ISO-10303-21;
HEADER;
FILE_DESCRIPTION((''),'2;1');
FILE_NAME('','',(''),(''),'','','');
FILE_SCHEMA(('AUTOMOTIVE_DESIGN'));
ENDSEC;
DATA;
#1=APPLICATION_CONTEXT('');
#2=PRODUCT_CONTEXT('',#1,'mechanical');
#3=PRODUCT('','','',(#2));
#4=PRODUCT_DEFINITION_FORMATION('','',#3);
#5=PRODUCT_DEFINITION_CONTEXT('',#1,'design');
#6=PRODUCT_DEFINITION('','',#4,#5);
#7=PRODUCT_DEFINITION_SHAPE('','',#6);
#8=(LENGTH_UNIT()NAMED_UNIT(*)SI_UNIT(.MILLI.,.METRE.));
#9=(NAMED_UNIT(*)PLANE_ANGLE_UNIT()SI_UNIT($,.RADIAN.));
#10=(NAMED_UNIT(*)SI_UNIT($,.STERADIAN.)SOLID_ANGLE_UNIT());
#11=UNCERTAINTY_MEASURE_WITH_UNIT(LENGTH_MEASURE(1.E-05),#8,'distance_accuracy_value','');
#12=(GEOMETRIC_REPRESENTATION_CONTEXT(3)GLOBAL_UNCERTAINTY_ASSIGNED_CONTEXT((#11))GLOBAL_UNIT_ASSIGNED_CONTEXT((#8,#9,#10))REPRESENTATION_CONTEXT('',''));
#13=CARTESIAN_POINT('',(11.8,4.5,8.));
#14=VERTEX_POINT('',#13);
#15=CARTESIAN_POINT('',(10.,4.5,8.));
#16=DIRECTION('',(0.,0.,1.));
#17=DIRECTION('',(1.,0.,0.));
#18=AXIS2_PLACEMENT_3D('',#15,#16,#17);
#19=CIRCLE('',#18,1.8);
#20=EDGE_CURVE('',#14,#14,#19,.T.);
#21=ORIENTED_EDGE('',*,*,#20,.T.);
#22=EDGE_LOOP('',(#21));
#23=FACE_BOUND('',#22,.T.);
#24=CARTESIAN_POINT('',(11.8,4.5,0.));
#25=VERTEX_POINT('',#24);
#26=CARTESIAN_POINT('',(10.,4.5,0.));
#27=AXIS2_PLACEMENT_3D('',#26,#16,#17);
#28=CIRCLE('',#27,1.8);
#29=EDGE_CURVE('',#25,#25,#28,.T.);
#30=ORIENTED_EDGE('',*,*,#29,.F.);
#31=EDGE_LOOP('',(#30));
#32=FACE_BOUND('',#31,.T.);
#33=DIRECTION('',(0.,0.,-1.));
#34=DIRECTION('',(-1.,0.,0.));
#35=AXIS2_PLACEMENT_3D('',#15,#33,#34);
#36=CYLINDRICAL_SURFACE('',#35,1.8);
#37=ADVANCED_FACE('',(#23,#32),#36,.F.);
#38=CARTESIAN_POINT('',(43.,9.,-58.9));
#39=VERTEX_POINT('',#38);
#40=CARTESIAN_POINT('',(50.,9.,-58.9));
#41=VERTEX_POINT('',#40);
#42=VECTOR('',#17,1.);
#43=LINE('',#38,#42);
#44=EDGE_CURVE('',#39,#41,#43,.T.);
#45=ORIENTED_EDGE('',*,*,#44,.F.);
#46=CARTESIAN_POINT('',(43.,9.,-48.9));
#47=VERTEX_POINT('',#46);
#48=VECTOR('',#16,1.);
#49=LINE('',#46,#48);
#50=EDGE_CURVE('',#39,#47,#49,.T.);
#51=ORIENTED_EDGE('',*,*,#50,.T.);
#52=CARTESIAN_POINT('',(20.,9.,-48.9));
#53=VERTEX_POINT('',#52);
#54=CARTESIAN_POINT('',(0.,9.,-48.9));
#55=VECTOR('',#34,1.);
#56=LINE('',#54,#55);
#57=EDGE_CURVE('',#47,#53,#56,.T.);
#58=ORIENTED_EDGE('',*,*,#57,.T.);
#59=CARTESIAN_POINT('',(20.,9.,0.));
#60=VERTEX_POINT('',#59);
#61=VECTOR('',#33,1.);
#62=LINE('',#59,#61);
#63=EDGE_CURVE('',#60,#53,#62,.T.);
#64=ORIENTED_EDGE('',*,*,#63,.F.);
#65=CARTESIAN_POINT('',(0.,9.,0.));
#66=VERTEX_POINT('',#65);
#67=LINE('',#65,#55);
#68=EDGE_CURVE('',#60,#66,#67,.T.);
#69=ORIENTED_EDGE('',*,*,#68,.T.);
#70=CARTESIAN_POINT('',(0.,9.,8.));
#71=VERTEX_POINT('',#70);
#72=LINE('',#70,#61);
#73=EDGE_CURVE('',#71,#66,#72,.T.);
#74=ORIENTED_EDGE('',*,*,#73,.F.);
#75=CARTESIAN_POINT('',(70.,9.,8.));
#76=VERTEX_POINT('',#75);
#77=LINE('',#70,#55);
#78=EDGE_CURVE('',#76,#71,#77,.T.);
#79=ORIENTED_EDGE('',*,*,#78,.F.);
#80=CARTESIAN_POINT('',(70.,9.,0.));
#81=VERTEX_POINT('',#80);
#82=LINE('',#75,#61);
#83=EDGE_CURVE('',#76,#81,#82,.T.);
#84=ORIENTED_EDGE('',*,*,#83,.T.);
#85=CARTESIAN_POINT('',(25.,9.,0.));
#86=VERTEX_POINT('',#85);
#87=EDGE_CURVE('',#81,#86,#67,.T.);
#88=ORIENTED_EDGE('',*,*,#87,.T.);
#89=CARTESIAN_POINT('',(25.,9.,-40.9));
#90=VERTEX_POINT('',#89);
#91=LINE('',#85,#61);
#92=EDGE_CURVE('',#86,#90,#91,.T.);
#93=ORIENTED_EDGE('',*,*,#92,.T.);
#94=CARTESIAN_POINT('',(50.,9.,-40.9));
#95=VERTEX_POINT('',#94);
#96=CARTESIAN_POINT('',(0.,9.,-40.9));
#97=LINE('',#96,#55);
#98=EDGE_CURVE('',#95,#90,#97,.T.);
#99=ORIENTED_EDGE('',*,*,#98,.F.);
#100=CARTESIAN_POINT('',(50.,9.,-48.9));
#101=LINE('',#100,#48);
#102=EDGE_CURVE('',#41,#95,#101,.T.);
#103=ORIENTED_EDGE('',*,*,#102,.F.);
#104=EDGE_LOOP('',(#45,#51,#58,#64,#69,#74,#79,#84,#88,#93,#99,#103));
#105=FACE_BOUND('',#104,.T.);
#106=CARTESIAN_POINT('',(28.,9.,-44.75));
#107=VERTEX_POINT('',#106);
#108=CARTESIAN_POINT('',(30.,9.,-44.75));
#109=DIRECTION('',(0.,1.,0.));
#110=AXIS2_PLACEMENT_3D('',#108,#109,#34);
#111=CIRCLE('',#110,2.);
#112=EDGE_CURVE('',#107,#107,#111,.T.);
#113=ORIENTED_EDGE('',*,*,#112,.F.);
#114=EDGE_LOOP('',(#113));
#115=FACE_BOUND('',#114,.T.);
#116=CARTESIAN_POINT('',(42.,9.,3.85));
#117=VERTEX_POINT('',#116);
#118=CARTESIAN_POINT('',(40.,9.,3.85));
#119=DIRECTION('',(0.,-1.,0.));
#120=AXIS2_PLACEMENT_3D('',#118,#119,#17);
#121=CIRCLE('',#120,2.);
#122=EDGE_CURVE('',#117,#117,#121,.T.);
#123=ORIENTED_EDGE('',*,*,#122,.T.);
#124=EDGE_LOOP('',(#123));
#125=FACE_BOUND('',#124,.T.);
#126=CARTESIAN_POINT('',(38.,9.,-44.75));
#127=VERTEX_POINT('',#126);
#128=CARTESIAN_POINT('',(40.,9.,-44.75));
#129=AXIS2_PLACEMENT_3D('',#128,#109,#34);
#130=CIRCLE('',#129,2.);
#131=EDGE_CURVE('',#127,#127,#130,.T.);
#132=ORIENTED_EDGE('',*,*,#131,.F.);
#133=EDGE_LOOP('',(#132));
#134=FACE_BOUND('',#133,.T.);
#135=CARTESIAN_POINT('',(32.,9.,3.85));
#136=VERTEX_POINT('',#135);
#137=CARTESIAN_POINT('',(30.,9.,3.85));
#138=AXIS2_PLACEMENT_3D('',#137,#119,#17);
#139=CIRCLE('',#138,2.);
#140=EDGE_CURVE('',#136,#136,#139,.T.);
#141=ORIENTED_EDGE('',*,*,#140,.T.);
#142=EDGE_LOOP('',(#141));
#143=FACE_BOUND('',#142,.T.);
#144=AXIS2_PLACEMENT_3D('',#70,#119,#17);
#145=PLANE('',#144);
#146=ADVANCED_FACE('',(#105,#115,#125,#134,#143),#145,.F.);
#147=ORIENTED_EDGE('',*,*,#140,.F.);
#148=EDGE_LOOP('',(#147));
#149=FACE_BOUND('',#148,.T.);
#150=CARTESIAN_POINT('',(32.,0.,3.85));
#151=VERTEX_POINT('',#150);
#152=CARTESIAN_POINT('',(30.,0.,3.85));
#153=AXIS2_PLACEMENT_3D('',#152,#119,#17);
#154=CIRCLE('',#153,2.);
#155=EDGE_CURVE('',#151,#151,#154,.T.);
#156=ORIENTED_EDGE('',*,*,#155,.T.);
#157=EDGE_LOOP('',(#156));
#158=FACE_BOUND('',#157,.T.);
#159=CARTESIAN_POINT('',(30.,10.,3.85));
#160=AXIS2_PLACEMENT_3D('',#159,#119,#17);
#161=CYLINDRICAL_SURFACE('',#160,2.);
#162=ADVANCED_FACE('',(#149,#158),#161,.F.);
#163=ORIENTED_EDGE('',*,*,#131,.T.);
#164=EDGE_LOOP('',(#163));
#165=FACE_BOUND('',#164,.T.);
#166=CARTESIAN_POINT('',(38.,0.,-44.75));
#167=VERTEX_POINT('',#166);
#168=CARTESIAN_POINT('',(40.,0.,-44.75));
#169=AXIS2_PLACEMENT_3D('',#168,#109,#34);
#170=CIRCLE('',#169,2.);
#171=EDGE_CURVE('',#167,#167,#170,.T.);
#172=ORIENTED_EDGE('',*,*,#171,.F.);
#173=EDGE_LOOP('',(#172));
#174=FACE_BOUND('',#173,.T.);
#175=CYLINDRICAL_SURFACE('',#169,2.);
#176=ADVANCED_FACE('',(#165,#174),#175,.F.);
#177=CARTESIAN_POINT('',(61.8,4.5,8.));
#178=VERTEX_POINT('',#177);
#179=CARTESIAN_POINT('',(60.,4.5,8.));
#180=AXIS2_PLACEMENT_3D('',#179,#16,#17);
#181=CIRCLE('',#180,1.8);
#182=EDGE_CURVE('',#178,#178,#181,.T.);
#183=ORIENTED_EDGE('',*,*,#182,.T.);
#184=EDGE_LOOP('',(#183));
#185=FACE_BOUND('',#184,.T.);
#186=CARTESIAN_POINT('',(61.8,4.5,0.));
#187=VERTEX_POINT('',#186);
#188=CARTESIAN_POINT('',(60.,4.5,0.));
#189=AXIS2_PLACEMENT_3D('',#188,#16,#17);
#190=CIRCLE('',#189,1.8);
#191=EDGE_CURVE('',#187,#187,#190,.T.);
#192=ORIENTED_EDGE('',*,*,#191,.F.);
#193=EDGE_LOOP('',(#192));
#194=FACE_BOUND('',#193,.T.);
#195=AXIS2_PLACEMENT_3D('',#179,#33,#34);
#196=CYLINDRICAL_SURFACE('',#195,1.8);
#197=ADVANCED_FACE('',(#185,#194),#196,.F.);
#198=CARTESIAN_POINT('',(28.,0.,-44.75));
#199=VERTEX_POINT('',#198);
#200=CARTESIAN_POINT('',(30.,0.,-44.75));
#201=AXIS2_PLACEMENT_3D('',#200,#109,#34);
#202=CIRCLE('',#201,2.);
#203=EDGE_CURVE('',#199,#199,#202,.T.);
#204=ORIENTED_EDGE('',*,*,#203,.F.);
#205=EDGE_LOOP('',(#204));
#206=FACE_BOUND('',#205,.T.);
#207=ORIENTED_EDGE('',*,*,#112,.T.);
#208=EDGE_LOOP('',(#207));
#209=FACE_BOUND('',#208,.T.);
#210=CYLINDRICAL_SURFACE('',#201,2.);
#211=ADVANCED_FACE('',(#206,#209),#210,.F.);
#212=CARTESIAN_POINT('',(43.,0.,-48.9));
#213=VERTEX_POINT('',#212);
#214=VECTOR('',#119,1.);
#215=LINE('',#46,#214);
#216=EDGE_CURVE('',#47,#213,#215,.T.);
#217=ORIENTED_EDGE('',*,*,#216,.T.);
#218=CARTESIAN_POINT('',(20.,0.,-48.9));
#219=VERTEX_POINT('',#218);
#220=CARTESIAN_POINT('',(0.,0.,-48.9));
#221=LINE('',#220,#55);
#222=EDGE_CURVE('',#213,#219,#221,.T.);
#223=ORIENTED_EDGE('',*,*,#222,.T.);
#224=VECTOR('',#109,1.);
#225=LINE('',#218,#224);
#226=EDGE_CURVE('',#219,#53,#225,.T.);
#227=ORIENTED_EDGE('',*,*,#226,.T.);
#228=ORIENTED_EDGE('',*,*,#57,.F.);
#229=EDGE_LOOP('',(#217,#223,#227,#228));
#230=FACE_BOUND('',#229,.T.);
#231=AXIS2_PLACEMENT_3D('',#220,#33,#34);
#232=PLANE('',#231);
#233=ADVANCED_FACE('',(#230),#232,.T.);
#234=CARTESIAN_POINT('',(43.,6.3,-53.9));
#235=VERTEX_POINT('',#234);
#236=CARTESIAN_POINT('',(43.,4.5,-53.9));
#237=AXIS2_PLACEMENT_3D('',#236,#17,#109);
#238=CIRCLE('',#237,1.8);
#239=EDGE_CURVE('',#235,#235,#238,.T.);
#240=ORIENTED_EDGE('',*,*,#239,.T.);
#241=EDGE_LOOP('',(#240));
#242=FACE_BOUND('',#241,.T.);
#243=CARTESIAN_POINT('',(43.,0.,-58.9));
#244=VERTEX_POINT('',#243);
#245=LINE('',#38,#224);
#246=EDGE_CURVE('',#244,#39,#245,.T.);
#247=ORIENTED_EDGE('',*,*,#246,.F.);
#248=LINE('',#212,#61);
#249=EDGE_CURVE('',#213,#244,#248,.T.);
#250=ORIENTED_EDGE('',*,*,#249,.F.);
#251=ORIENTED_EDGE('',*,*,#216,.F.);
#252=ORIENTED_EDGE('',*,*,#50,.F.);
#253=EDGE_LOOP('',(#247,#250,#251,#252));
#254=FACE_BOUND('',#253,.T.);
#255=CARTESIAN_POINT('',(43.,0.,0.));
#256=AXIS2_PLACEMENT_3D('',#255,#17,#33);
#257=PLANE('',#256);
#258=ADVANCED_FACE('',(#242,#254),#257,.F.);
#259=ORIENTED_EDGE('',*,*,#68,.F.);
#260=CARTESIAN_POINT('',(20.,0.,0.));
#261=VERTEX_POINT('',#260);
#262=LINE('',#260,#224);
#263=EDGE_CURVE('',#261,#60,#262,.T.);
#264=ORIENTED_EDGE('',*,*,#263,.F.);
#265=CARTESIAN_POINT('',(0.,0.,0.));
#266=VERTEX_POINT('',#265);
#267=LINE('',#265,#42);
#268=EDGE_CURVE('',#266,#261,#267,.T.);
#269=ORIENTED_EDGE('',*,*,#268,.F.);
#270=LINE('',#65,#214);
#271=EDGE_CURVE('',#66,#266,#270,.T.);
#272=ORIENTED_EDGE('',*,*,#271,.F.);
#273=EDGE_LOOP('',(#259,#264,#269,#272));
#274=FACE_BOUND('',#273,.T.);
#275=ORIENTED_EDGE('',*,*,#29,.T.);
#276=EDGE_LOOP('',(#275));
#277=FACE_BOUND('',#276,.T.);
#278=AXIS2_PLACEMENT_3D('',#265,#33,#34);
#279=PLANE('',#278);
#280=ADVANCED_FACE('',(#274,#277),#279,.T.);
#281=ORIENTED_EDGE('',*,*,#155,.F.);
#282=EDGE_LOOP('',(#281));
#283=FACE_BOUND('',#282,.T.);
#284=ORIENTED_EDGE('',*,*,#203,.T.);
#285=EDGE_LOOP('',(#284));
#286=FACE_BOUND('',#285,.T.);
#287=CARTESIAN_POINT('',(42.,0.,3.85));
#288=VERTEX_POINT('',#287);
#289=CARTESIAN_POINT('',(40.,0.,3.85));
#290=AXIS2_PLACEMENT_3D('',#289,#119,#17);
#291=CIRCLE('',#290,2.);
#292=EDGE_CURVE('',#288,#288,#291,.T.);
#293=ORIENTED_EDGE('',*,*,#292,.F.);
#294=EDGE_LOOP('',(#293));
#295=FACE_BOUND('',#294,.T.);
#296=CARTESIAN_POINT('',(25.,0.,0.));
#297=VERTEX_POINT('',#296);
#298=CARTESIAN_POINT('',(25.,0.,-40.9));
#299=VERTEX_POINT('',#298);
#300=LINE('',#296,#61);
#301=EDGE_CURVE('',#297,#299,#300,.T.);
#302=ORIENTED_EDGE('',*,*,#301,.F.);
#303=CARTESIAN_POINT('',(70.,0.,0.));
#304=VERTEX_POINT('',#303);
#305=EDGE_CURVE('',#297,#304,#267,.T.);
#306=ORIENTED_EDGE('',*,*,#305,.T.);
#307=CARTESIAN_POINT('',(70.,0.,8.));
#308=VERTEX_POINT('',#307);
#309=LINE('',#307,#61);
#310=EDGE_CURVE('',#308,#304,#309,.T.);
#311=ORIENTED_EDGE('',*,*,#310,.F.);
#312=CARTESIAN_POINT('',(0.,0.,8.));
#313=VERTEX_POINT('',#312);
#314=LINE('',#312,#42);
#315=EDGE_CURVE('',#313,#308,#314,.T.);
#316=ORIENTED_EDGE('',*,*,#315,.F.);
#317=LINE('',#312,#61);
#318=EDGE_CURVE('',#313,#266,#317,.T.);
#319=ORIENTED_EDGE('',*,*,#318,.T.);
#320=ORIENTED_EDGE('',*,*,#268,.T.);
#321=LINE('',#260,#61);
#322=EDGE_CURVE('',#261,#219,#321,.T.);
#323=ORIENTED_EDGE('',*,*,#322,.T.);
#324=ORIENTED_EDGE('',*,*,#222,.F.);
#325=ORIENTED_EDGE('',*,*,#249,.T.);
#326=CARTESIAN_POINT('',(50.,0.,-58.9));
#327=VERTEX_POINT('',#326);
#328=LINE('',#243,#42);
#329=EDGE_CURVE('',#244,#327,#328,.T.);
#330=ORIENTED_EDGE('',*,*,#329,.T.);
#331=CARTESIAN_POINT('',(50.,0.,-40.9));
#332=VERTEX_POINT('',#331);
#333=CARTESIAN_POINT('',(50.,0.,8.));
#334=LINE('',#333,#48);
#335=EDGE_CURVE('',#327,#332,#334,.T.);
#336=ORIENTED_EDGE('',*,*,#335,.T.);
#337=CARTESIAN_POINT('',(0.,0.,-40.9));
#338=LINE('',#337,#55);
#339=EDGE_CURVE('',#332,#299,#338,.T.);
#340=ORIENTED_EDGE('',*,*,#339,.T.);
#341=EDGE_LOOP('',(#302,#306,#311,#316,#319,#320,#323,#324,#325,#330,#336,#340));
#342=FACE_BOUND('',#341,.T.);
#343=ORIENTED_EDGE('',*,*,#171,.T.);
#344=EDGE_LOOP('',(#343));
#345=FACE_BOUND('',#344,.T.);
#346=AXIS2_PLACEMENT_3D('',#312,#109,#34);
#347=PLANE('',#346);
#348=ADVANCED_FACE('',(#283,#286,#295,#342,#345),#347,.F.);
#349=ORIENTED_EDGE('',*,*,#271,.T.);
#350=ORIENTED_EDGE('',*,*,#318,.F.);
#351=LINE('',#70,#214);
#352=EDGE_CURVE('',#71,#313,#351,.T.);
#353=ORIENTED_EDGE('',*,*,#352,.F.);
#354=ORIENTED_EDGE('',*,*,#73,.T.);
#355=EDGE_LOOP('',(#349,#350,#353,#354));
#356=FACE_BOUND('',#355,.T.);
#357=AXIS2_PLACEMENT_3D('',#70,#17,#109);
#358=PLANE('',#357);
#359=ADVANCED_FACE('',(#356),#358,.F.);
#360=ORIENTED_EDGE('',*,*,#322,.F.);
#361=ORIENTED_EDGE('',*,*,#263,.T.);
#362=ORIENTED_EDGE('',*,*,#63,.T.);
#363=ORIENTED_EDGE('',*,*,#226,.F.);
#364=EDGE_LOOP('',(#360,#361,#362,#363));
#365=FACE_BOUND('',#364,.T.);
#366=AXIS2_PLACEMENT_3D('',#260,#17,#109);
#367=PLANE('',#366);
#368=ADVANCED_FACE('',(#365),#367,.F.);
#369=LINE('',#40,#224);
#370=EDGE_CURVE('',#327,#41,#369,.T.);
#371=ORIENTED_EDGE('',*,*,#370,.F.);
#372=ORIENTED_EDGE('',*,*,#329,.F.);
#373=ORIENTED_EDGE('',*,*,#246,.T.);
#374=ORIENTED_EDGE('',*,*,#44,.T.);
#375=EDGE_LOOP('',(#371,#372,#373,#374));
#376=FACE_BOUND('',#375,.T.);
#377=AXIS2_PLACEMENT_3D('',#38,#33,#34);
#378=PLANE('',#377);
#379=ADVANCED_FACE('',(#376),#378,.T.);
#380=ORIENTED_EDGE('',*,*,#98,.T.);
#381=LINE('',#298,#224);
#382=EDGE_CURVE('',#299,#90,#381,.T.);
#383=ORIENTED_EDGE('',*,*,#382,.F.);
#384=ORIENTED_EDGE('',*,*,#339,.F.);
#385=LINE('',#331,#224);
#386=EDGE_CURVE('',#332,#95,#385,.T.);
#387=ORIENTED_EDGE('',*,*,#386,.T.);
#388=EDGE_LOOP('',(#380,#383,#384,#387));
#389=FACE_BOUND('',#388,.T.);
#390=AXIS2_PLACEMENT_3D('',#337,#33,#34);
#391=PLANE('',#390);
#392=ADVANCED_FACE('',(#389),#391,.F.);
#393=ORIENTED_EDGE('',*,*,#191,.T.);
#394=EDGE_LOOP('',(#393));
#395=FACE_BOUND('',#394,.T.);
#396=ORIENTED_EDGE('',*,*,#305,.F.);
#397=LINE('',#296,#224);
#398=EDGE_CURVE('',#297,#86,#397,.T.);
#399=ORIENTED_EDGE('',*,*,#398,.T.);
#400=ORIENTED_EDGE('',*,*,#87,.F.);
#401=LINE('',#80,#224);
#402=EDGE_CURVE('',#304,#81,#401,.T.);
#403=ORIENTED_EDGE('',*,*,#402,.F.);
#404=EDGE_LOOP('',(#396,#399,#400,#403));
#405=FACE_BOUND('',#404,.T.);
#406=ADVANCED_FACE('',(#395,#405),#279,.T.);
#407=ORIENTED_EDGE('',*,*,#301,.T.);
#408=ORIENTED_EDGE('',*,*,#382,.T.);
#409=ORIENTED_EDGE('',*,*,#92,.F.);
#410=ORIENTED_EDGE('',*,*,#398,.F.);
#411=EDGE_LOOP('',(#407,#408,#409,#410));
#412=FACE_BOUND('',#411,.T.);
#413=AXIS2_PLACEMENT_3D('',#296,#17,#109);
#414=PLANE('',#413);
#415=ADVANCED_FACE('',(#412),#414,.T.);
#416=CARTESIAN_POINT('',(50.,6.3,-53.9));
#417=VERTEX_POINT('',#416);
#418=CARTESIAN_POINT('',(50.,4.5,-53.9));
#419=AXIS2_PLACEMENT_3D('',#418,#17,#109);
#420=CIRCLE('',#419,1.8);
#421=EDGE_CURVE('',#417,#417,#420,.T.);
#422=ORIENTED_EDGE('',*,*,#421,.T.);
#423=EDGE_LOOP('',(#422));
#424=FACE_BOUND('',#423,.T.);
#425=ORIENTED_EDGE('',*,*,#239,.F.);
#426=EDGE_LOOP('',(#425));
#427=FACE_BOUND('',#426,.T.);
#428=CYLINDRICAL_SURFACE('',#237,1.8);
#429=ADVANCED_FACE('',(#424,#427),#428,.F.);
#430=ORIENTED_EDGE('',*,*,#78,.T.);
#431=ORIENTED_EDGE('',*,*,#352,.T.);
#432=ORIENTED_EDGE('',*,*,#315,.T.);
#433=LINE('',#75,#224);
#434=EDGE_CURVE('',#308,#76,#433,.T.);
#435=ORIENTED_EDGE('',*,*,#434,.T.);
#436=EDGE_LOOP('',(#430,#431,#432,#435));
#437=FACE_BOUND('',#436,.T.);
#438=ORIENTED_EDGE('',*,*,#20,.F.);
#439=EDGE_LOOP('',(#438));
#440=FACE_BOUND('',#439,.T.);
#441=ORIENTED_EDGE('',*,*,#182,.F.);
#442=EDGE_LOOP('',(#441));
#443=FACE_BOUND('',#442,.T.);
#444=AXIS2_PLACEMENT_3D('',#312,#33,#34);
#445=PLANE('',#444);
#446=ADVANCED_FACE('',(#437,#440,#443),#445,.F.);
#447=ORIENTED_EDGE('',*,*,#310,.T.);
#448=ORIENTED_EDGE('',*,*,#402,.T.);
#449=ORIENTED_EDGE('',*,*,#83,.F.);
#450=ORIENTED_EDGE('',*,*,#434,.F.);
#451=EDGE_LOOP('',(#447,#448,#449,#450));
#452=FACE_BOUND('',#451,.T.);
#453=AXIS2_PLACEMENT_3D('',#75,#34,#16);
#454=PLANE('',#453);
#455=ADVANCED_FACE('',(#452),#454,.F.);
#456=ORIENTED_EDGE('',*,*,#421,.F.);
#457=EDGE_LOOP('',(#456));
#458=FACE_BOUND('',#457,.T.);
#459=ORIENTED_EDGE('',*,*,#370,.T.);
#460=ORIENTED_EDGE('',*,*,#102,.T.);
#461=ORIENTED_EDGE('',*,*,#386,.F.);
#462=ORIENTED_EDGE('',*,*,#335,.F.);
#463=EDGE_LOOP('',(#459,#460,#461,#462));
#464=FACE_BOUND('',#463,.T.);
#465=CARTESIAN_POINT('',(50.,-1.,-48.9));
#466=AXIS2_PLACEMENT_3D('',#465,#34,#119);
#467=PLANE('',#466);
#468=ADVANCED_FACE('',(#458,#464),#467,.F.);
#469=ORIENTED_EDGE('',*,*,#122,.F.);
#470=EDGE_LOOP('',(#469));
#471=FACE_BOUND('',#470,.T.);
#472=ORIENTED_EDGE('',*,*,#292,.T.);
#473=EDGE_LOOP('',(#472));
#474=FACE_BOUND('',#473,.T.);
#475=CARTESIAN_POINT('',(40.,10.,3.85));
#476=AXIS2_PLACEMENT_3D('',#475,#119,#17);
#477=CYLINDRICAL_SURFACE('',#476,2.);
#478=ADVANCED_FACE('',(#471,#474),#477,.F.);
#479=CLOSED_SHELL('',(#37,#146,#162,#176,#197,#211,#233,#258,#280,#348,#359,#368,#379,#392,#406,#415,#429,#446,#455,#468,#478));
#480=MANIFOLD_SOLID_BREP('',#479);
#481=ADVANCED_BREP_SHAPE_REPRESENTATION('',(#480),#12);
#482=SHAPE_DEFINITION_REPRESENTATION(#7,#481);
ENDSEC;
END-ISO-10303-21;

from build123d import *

# Parameters (mm, degrees)
ESQUISSE1_W             = 70
ESQUISSE1_H             = 9
ESQUISSE1_R             = 1.8
BOSS_EXTRU_1_DEPTH      = 8
ESQUISSE2_R             = 2
ENL_V_MAT_EXTRU_1_DEPTH = 10
ESQUISSE3_R             = 2
BOSS_EXTRU_2_DEPTH      = 9
ESQUISSE4_W             = 5
ESQUISSE4_H             = 48.9
ENL_V_MAT_EXTRU_2_DEPTH = 10
ESQUISSE5_W             = 10
ESQUISSE5_H             = 9
ESQUISSE5_R             = 1.8
BOSS_EXTRU_3_DEPTH      = 7


with BuildPart() as part:
    # Esquisse1 → Boss.-Extru.1 (new body)
    with BuildSketch(Plane.XY):
        with Locations((35, 4.5)):
            Rectangle(ESQUISSE1_W, ESQUISSE1_H)
        with Locations((10, 4.5)):
            Circle(ESQUISSE1_R, mode=Mode.SUBTRACT)
        with Locations((60, 4.5)):
            Circle(ESQUISSE1_R, mode=Mode.SUBTRACT)
    extrude(amount=BOSS_EXTRU_1_DEPTH)

    # Esquisse2 → Enlèv. mat.-Extru.1 (cut)
    with BuildSketch(Plane.XZ):
        with Locations((30, 3.85)):
            Circle(ESQUISSE2_R)
        with Locations((40, 3.85)):
            Circle(ESQUISSE2_R)
    extrude(amount=-ENL_V_MAT_EXTRU_1_DEPTH, mode=Mode.SUBTRACT)

    # Esquisse3 → Boss.-Extru.2 (add)
    with BuildSketch(Plane(origin=(0, 9, 0), x_dir=(1, 0, 0), z_dir=(0, 1, 0))):
        Polygon((50, 0), (55, 0), (55, 48.9), (20, 48.9), (20, 0), (25, 0), (25, 40.9), (50, 40.9), align=None)
        with Locations(Location((30, 44.75, 0), (0, 0, 180))):
            Circle(ESQUISSE3_R, mode=Mode.SUBTRACT)
        with Locations(Location((40, 44.75, 0), (0, 0, 180))):
            Circle(ESQUISSE3_R, mode=Mode.SUBTRACT)
    extrude(amount=-BOSS_EXTRU_2_DEPTH)

    # Esquisse4 → Enlèv. mat.-Extru.2 (cut)
    with BuildSketch(Plane(origin=(0, 9, 0), x_dir=(1, 0, 0), z_dir=(0, 1, 0))):
        with Locations((52.5, 24.45)):
            Rectangle(ESQUISSE4_W, ESQUISSE4_H)
    extrude(amount=-ENL_V_MAT_EXTRU_2_DEPTH, mode=Mode.SUBTRACT)

    # Esquisse5 → Boss.-Extru.3 (add)
    with BuildSketch(Plane(origin=(50, 0, 0), x_dir=(0, 0, -1), z_dir=(1, 0, 0))):
        with Locations((53.9, 4.5)):
            Rectangle(ESQUISSE5_W, ESQUISSE5_H)
        with Locations(Location((53.9, 4.5, 0), (0, 0, 90))):
            Circle(ESQUISSE5_R, mode=Mode.SUBTRACT)
    extrude(amount=-BOSS_EXTRU_3_DEPTH)


solid = part.part
